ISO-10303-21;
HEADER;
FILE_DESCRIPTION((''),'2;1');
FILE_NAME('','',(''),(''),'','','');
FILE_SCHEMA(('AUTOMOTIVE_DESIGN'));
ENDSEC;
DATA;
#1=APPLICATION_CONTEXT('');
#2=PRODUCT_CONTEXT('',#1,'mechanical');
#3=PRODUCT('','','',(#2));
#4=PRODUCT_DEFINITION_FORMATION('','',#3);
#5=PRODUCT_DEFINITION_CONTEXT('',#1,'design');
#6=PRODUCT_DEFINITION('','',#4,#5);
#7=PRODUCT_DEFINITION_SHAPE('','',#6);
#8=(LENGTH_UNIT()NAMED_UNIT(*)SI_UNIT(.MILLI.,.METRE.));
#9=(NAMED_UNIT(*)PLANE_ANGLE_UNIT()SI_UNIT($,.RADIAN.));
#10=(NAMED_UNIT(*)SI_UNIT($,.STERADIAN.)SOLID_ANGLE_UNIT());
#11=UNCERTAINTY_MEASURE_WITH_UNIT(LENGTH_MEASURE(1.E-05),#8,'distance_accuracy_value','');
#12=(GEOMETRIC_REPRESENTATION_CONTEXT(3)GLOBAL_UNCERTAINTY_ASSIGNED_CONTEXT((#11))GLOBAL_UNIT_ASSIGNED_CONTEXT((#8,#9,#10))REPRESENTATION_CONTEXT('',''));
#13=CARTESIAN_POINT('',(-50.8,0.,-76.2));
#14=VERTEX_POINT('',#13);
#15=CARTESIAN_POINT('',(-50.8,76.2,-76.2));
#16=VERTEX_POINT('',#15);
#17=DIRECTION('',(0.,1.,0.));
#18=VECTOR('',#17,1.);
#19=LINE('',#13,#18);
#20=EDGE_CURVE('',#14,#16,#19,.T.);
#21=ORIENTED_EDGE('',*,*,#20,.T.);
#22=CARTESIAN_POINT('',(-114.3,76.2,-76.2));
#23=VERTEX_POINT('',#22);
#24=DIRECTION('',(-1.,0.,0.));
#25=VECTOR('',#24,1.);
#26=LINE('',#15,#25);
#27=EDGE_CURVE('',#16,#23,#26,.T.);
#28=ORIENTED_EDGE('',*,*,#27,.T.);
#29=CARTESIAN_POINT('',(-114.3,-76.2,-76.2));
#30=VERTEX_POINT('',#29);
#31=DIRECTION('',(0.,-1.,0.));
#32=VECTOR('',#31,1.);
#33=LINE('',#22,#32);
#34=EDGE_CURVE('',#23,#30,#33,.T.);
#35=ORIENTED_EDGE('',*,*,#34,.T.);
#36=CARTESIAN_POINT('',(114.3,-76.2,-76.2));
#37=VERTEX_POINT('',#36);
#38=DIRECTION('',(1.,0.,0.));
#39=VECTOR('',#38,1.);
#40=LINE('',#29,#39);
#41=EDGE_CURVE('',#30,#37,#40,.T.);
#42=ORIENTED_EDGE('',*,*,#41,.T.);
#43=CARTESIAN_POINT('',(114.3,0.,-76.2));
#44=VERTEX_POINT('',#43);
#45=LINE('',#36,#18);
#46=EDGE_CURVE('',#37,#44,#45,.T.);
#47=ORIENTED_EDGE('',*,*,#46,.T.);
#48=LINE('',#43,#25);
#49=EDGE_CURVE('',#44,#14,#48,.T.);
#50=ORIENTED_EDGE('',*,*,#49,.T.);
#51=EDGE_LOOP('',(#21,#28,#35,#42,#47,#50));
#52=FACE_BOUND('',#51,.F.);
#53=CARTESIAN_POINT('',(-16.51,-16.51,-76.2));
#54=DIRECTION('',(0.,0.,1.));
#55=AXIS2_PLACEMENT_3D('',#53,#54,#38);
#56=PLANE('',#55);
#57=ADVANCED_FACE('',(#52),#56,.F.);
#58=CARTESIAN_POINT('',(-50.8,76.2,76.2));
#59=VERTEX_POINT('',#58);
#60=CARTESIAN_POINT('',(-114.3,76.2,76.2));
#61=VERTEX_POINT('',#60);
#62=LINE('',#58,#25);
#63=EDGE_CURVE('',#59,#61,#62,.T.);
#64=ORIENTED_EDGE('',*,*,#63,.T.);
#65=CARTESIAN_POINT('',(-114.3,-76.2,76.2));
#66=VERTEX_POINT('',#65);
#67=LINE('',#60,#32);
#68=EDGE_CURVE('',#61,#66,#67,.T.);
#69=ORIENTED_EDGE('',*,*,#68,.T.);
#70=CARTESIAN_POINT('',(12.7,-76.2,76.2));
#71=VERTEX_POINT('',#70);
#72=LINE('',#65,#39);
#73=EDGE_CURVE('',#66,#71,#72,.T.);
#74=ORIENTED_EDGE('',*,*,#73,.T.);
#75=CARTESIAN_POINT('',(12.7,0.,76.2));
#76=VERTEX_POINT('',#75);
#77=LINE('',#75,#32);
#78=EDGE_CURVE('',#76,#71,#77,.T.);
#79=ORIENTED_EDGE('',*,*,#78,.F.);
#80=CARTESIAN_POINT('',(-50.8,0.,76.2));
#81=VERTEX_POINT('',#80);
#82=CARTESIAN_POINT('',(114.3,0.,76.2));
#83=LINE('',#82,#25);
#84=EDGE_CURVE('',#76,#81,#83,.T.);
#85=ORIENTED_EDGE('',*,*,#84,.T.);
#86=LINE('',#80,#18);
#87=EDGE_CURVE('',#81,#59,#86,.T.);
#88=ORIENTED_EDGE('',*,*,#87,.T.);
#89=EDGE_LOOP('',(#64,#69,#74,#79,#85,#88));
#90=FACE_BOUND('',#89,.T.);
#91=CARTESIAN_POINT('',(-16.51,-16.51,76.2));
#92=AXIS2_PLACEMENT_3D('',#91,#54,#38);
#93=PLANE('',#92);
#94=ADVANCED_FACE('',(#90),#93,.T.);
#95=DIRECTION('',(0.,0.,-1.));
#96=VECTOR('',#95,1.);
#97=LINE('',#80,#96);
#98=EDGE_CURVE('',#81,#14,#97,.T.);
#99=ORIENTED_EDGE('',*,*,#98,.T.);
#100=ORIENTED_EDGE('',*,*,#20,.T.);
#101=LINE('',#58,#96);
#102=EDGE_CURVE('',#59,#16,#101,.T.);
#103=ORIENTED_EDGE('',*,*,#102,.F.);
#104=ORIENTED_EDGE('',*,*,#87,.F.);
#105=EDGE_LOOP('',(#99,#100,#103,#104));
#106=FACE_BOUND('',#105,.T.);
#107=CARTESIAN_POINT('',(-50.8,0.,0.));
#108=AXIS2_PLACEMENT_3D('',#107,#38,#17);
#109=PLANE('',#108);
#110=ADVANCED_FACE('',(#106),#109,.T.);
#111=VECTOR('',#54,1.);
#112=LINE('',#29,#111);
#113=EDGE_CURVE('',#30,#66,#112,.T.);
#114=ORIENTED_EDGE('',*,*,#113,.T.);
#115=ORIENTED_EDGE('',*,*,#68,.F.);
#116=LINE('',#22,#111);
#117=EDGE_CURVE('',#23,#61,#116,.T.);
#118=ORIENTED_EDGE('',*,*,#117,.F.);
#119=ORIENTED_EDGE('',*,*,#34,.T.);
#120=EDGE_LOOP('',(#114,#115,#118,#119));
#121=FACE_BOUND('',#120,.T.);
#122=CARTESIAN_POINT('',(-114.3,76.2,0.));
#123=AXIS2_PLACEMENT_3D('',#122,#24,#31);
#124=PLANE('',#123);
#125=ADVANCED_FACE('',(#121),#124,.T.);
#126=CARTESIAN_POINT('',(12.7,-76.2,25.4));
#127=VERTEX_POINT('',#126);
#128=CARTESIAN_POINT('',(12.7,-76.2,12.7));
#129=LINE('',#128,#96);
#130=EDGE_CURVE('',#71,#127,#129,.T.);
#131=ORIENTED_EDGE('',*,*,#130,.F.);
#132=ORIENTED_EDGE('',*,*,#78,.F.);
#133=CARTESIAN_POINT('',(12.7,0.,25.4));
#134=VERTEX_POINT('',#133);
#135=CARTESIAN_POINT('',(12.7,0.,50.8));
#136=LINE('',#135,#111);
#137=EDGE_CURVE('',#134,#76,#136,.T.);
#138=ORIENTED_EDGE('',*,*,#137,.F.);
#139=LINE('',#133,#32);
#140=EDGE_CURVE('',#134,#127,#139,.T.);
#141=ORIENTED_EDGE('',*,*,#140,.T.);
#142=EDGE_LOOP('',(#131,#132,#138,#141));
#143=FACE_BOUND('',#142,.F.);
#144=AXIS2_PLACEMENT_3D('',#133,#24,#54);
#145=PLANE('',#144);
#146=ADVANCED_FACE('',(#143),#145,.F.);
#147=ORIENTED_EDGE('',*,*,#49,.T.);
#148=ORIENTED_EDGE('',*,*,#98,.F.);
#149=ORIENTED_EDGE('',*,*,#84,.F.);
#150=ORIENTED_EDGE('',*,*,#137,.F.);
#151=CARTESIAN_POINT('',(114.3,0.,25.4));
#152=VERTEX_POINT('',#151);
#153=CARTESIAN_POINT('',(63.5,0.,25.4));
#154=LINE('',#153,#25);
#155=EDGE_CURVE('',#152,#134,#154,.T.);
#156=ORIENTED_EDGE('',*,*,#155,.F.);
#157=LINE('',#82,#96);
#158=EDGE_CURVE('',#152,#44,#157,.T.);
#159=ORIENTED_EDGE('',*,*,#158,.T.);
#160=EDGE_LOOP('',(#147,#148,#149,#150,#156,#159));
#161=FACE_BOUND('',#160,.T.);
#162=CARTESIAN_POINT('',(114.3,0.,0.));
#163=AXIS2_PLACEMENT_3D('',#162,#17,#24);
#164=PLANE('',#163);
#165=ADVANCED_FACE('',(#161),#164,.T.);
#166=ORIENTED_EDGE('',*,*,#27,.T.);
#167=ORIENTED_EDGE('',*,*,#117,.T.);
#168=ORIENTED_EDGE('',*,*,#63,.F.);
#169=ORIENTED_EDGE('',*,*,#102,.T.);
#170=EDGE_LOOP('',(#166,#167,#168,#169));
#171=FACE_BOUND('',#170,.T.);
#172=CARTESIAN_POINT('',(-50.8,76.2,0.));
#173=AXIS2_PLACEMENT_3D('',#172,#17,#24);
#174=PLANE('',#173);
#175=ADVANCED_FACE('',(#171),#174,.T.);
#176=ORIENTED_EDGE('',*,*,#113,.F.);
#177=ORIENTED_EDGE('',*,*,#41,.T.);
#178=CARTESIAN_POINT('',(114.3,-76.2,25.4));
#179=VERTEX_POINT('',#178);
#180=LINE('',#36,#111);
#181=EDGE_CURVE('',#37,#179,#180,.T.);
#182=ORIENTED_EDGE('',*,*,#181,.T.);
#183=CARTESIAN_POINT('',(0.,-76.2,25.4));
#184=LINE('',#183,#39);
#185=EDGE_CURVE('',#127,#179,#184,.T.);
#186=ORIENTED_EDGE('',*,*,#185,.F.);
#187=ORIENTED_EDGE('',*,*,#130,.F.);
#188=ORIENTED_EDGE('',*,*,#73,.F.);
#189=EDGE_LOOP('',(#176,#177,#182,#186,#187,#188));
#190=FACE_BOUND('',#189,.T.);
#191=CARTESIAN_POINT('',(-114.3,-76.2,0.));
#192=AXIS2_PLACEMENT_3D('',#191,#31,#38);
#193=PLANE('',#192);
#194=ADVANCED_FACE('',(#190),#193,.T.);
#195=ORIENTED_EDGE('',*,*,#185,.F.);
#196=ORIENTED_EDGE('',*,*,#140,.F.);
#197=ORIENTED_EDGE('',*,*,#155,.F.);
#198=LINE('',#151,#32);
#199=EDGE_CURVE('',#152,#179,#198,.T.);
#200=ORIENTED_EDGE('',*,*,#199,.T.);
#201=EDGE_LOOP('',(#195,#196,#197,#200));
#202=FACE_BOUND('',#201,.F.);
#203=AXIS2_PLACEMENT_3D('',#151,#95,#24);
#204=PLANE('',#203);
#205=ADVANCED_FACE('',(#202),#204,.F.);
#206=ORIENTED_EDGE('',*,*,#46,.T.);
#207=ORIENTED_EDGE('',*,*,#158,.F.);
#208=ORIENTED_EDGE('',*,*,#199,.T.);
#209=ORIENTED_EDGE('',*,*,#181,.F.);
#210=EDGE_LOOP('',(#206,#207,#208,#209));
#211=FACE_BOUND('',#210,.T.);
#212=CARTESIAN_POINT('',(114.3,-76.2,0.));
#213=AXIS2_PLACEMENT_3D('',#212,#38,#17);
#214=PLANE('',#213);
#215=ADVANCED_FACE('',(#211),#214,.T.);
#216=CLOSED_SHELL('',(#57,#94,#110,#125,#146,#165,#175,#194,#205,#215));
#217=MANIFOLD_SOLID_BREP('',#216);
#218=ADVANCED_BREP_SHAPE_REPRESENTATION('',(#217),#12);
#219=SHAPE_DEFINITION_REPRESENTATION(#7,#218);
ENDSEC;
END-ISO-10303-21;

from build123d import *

# Parameters (mm, degrees)
F1_DEPTH = 76.2
F2_W     = 101.6
F2_H     = 50.8
F3_DEPTH = 76.201


with BuildPart() as f1:
    # F0 (on Top) → F1 (new body, symmetric)
    with BuildSketch(Plane.XY):
        Polygon((-50.8, 76.2), (-114.3, 76.2), (-114.3, -76.2), (114.3, -76.2), (114.3, 0), (-50.8, 0), align=None)
    extrude(amount=F1_DEPTH, both=True)

    # F2 (on face) → F3 (cut, through all)
    with BuildSketch(Plane(origin=(0, 0, 0), x_dir=(-1, 0, 0), z_dir=(0, 1, 0))):
        with Locations((-63.5, 50.8)):
            Rectangle(F2_W, F2_H)
    extrude(amount=-F3_DEPTH, mode=Mode.SUBTRACT)


solid = f1.part
